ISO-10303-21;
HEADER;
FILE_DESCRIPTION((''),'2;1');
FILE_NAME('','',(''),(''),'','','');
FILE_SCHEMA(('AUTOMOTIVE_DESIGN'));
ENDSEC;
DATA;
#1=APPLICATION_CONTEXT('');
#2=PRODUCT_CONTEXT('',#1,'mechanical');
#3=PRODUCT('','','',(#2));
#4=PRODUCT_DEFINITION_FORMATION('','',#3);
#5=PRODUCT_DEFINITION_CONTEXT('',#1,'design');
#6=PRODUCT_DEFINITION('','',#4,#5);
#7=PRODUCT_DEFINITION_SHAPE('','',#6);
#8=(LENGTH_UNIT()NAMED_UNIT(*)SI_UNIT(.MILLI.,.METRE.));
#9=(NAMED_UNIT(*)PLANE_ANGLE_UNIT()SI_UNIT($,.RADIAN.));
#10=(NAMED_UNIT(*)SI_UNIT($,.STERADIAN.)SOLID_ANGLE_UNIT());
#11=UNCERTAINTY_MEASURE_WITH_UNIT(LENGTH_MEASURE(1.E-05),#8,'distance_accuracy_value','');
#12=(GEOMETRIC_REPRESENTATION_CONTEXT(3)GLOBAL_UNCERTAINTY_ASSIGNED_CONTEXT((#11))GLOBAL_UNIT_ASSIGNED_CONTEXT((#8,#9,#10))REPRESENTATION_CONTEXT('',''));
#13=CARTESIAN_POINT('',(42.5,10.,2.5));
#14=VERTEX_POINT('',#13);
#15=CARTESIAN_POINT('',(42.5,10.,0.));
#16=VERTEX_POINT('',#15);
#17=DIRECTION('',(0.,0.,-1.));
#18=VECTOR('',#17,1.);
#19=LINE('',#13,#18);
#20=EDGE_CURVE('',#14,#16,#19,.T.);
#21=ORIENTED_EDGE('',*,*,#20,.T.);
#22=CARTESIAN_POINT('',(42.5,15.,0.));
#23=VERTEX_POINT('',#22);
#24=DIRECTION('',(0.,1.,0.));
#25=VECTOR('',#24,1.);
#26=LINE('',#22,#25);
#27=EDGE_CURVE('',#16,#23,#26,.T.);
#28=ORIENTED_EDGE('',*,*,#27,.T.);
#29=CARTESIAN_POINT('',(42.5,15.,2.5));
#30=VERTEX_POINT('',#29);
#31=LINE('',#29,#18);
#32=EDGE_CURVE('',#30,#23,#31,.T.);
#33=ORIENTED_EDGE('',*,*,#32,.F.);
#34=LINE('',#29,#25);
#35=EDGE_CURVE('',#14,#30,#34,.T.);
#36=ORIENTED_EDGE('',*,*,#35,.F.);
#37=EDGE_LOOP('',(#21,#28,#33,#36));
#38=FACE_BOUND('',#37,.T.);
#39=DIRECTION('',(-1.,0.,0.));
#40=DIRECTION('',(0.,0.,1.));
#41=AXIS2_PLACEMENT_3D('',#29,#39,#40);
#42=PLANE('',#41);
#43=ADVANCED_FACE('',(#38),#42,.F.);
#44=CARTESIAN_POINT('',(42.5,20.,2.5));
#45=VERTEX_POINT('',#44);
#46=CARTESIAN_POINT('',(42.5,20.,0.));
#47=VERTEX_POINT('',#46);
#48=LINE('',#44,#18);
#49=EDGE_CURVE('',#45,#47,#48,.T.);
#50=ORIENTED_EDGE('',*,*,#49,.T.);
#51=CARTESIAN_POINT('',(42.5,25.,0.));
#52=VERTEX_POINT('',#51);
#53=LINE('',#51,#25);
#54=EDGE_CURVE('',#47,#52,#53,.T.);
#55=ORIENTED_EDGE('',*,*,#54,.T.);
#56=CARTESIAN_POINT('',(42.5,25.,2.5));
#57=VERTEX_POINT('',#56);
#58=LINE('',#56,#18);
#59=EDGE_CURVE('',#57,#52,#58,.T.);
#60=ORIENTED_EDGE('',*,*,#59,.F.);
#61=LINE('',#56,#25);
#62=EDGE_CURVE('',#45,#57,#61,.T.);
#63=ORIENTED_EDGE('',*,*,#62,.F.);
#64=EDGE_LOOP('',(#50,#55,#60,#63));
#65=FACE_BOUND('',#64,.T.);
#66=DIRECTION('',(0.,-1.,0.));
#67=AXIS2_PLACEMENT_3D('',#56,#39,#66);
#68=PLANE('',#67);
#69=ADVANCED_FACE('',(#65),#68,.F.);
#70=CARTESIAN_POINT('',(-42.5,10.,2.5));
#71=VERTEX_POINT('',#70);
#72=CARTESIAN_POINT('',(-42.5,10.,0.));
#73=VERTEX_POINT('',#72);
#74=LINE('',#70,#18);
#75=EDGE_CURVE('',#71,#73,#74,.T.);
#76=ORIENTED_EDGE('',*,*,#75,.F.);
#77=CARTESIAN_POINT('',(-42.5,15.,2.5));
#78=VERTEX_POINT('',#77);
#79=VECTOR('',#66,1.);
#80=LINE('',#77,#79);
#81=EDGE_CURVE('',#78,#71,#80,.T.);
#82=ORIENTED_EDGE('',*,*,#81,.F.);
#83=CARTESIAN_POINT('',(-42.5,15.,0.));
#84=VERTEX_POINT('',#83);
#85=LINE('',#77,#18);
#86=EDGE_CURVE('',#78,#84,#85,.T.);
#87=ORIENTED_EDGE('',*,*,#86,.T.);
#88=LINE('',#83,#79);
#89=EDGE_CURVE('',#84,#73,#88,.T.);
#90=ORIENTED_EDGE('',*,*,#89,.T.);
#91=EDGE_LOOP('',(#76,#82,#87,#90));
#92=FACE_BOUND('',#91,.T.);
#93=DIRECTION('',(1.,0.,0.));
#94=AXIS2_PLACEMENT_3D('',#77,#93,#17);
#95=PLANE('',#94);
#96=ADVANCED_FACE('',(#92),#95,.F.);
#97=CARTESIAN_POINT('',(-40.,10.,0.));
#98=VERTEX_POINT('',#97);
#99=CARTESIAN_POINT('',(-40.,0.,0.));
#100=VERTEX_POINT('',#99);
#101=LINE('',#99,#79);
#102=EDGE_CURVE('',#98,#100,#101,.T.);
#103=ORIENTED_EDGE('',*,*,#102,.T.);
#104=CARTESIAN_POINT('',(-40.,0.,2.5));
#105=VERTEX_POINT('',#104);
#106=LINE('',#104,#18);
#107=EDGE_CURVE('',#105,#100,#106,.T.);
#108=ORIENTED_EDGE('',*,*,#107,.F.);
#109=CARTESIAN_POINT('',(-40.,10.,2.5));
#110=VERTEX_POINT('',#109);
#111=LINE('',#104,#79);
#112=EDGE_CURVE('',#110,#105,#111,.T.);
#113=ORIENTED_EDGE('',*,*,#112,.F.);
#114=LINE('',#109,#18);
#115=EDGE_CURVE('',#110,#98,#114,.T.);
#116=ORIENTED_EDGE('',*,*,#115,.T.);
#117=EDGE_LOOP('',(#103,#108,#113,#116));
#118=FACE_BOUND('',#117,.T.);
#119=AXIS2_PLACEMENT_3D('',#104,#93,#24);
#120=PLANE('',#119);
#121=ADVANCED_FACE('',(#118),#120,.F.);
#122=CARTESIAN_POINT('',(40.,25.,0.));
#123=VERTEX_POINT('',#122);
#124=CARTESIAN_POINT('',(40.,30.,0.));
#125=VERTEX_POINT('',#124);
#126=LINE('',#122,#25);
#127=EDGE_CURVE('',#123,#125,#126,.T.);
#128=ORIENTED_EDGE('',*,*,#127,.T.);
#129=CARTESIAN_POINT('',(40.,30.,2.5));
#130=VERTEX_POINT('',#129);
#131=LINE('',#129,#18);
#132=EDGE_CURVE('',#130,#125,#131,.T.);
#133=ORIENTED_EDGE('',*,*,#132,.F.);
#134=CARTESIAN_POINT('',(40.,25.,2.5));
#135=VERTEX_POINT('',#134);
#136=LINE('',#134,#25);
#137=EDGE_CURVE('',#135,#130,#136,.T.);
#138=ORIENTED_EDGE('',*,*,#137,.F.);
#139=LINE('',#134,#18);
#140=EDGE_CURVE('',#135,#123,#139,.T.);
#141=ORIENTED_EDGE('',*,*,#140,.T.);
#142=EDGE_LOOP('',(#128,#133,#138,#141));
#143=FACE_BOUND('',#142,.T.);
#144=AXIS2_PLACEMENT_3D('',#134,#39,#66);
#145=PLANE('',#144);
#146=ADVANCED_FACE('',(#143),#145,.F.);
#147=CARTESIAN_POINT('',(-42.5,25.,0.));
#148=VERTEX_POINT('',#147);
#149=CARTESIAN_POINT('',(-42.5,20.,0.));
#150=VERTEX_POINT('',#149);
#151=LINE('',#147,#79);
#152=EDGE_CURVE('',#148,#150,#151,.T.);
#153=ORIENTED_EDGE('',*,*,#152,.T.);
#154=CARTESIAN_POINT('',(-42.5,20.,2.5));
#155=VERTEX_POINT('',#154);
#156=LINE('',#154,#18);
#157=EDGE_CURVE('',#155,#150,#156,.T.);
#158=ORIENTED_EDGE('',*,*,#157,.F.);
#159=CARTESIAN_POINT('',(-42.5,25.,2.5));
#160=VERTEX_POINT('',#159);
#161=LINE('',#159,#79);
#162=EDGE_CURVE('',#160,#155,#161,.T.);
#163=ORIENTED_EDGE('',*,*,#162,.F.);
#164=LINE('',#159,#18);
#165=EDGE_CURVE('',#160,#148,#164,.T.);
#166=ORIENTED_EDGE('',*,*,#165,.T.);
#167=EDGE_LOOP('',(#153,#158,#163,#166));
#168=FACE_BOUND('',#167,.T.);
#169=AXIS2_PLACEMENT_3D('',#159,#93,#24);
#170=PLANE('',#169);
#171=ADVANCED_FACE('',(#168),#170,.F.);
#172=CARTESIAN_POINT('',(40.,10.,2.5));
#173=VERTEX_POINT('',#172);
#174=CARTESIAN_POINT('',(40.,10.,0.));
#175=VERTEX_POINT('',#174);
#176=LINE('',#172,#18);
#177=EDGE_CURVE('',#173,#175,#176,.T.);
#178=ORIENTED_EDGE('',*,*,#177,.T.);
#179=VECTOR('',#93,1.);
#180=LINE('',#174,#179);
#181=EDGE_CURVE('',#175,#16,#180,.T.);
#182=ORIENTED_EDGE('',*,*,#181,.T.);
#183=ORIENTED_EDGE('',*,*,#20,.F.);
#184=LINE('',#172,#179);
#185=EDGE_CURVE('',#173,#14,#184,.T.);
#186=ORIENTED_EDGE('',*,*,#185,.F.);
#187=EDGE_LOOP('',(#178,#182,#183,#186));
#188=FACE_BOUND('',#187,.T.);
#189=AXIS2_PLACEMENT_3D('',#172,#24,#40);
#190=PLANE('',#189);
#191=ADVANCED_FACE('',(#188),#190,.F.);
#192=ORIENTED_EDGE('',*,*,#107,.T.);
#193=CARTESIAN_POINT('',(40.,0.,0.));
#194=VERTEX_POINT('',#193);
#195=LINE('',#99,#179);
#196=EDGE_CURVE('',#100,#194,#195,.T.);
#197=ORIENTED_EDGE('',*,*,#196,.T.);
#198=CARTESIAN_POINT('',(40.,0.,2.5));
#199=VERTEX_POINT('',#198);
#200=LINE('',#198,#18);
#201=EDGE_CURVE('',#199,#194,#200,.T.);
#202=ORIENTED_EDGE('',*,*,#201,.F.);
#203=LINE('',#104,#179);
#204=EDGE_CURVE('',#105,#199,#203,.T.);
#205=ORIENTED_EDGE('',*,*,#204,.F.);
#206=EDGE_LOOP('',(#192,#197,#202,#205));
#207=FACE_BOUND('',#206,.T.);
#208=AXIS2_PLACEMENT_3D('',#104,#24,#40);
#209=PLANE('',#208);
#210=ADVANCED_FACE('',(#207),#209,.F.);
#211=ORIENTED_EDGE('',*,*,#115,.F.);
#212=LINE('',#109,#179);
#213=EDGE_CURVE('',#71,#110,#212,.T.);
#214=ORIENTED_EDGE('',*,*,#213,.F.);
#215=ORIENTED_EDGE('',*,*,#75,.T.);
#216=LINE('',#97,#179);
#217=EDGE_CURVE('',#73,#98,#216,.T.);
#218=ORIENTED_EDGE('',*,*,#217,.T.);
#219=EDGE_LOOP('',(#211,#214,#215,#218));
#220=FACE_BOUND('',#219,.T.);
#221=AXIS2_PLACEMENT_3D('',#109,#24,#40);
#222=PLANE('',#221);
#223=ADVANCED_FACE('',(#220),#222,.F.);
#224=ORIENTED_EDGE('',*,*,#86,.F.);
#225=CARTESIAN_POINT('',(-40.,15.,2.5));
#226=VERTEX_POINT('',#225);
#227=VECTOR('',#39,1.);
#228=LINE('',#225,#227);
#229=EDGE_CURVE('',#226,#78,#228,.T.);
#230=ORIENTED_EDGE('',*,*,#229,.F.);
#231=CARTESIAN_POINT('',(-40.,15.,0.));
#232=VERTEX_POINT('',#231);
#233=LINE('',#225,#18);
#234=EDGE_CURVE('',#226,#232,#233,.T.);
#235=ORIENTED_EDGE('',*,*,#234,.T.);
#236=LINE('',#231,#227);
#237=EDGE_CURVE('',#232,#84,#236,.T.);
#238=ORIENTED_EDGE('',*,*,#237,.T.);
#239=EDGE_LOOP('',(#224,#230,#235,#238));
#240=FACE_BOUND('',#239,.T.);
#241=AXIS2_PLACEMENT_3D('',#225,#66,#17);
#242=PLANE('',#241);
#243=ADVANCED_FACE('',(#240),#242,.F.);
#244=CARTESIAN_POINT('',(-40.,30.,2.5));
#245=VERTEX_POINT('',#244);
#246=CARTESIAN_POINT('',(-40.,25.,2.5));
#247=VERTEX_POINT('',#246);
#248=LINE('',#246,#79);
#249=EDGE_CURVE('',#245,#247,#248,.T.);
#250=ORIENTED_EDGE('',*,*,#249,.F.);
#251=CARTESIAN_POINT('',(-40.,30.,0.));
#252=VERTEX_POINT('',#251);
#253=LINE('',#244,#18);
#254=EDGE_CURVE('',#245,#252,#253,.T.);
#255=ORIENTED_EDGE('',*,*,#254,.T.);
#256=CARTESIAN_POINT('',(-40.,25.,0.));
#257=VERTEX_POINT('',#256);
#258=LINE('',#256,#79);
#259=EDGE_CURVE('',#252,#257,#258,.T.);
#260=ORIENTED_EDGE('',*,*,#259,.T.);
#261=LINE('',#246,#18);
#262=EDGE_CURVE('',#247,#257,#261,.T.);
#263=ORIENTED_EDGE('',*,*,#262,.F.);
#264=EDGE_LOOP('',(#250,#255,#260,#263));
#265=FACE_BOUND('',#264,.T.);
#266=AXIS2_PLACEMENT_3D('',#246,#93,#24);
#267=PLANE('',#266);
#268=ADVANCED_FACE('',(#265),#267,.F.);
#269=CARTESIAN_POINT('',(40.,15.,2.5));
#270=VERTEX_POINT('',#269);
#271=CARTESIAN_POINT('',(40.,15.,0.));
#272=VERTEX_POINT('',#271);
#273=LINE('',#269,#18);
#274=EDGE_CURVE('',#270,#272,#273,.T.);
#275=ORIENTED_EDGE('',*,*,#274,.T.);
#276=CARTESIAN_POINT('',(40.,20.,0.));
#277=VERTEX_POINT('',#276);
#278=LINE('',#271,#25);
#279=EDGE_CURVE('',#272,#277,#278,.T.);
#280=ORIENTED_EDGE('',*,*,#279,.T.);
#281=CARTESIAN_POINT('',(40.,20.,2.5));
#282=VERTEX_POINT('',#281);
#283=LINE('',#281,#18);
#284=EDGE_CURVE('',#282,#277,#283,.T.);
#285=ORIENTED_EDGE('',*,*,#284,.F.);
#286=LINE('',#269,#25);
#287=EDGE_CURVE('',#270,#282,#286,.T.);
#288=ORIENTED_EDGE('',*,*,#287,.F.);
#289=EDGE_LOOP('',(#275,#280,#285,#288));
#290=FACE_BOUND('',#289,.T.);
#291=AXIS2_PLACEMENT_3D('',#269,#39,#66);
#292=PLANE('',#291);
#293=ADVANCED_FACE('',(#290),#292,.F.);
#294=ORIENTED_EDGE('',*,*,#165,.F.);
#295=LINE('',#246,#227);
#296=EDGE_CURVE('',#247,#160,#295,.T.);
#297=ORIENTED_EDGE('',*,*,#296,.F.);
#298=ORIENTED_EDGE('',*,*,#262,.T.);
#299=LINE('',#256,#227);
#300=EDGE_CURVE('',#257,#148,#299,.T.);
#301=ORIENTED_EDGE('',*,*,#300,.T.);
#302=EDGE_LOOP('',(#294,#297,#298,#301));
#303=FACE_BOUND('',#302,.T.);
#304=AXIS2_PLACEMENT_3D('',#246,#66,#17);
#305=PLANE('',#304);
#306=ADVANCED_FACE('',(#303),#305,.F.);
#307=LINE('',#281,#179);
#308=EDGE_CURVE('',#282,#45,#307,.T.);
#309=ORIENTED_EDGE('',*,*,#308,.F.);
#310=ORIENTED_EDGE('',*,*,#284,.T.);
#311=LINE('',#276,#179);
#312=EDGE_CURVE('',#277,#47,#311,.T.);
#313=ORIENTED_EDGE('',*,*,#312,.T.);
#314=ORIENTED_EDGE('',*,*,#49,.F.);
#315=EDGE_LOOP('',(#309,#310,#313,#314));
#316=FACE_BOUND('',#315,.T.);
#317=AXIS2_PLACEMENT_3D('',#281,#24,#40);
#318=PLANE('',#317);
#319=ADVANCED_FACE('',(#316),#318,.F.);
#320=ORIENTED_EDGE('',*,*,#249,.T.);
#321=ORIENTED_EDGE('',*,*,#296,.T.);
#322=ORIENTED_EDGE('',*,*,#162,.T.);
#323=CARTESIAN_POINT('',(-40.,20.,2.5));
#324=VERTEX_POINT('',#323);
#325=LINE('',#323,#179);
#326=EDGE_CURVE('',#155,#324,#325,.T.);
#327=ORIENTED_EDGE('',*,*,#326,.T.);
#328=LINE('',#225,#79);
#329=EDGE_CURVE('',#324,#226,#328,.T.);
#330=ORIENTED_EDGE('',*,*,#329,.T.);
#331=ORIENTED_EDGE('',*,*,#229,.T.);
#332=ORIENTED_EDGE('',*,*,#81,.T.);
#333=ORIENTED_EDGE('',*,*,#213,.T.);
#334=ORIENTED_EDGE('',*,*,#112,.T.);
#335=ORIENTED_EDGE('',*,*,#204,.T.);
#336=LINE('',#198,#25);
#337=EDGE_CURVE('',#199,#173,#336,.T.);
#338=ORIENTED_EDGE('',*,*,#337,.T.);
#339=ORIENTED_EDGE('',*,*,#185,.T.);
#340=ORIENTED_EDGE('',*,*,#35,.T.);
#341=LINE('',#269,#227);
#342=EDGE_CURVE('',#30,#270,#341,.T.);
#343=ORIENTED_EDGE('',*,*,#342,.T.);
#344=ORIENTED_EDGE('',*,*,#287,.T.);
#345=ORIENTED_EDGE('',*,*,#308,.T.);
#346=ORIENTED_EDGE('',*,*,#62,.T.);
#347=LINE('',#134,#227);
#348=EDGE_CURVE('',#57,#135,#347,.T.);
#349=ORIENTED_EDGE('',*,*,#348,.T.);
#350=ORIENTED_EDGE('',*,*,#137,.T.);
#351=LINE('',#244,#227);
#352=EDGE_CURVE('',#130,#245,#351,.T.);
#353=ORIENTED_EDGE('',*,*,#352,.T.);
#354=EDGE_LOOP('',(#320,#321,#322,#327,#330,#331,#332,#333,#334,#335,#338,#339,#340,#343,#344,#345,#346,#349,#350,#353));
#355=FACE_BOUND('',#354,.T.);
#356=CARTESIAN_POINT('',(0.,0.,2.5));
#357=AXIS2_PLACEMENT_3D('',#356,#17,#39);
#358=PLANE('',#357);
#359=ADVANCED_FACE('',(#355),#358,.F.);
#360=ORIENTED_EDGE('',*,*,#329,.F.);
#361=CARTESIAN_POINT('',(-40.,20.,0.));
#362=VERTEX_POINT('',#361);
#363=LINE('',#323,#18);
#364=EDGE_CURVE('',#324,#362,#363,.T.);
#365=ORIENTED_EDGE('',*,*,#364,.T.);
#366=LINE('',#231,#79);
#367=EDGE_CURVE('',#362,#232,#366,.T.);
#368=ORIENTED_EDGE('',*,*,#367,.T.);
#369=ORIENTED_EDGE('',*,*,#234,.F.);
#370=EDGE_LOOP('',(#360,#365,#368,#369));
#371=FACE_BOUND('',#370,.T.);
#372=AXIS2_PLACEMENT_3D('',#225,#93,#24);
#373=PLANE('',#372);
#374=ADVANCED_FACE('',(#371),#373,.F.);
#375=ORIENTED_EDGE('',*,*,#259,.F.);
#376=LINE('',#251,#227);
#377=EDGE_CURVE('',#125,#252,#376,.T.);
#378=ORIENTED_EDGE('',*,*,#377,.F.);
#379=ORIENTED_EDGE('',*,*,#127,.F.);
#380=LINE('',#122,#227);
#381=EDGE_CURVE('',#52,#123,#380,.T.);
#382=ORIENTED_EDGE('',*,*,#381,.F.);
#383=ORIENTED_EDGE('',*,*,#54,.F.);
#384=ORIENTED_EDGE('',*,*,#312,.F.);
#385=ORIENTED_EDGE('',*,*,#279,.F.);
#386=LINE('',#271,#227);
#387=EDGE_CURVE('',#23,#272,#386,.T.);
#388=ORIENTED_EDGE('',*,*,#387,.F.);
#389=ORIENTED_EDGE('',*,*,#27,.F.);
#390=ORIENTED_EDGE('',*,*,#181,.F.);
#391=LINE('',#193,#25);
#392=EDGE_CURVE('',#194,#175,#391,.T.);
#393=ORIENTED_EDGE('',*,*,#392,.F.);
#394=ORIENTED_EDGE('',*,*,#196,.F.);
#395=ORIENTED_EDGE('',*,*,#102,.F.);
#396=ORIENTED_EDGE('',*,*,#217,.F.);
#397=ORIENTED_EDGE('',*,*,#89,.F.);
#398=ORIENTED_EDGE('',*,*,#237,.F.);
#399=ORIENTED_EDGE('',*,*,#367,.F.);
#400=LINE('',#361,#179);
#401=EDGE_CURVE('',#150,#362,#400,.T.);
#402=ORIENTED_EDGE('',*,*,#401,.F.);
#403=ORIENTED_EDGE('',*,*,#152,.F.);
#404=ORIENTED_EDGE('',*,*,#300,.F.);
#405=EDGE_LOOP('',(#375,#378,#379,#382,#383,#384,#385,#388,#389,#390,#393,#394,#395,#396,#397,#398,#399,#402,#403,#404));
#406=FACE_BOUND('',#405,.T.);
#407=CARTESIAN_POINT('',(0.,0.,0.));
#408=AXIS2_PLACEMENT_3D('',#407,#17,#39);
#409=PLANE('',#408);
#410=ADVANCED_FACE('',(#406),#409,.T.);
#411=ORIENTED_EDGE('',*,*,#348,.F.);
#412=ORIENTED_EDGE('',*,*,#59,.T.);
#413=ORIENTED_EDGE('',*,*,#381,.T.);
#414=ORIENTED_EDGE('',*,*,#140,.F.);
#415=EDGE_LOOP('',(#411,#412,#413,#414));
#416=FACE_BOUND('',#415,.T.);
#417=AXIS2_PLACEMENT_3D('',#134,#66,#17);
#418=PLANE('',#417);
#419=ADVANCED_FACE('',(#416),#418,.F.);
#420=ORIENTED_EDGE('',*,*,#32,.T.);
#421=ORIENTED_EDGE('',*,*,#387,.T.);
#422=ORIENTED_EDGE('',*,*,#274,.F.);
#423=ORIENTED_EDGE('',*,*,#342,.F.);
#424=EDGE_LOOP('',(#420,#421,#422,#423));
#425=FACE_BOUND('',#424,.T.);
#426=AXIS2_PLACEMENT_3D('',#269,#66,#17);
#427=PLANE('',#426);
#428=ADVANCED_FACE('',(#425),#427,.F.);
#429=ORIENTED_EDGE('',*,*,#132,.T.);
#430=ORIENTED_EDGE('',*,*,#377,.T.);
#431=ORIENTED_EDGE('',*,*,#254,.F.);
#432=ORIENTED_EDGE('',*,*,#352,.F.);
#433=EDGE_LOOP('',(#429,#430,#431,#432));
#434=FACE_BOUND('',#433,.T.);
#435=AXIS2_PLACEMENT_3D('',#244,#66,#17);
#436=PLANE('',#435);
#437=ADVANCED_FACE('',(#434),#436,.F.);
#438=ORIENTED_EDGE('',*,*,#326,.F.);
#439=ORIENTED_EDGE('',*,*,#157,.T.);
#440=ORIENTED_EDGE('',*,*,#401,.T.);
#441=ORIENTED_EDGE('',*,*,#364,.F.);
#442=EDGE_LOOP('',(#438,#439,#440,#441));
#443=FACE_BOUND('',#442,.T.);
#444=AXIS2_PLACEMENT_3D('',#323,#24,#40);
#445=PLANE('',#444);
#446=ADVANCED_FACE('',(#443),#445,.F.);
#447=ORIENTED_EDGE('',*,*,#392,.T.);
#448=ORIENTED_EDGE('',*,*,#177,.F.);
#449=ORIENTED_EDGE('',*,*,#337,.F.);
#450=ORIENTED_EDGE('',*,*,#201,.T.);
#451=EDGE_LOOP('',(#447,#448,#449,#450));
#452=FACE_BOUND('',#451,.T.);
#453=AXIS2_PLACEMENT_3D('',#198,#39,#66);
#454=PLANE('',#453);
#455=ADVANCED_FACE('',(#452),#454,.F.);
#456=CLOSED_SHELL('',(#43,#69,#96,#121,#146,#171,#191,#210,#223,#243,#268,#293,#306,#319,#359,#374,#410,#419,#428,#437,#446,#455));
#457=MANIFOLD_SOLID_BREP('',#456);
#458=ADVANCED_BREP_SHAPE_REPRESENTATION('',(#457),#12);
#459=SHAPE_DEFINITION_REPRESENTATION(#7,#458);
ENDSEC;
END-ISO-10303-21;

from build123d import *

# Parameters (mm, degrees)
BOSS_EXTRUDE1_DEPTH = 2.5


with BuildPart() as part:
    # Sketch1 → Boss-Extrude1 (new body)
    with BuildSketch(Plane.XY):
        Polygon((-42.5, 15), (-42.5, 10), (-40, 10), (-40, 0), (40, 0), (40, 10), (42.5, 10), (42.5, 15), (40, 15), (40, 20), (42.5, 20), (42.5, 25), (40, 25), (40, 30), (-40, 30), (-40, 25), (-42.5, 25), (-42.5, 20), (-40, 20), (-40, 15), align=None)
    extrude(amount=BOSS_EXTRUDE1_DEPTH)


solid = part.part
